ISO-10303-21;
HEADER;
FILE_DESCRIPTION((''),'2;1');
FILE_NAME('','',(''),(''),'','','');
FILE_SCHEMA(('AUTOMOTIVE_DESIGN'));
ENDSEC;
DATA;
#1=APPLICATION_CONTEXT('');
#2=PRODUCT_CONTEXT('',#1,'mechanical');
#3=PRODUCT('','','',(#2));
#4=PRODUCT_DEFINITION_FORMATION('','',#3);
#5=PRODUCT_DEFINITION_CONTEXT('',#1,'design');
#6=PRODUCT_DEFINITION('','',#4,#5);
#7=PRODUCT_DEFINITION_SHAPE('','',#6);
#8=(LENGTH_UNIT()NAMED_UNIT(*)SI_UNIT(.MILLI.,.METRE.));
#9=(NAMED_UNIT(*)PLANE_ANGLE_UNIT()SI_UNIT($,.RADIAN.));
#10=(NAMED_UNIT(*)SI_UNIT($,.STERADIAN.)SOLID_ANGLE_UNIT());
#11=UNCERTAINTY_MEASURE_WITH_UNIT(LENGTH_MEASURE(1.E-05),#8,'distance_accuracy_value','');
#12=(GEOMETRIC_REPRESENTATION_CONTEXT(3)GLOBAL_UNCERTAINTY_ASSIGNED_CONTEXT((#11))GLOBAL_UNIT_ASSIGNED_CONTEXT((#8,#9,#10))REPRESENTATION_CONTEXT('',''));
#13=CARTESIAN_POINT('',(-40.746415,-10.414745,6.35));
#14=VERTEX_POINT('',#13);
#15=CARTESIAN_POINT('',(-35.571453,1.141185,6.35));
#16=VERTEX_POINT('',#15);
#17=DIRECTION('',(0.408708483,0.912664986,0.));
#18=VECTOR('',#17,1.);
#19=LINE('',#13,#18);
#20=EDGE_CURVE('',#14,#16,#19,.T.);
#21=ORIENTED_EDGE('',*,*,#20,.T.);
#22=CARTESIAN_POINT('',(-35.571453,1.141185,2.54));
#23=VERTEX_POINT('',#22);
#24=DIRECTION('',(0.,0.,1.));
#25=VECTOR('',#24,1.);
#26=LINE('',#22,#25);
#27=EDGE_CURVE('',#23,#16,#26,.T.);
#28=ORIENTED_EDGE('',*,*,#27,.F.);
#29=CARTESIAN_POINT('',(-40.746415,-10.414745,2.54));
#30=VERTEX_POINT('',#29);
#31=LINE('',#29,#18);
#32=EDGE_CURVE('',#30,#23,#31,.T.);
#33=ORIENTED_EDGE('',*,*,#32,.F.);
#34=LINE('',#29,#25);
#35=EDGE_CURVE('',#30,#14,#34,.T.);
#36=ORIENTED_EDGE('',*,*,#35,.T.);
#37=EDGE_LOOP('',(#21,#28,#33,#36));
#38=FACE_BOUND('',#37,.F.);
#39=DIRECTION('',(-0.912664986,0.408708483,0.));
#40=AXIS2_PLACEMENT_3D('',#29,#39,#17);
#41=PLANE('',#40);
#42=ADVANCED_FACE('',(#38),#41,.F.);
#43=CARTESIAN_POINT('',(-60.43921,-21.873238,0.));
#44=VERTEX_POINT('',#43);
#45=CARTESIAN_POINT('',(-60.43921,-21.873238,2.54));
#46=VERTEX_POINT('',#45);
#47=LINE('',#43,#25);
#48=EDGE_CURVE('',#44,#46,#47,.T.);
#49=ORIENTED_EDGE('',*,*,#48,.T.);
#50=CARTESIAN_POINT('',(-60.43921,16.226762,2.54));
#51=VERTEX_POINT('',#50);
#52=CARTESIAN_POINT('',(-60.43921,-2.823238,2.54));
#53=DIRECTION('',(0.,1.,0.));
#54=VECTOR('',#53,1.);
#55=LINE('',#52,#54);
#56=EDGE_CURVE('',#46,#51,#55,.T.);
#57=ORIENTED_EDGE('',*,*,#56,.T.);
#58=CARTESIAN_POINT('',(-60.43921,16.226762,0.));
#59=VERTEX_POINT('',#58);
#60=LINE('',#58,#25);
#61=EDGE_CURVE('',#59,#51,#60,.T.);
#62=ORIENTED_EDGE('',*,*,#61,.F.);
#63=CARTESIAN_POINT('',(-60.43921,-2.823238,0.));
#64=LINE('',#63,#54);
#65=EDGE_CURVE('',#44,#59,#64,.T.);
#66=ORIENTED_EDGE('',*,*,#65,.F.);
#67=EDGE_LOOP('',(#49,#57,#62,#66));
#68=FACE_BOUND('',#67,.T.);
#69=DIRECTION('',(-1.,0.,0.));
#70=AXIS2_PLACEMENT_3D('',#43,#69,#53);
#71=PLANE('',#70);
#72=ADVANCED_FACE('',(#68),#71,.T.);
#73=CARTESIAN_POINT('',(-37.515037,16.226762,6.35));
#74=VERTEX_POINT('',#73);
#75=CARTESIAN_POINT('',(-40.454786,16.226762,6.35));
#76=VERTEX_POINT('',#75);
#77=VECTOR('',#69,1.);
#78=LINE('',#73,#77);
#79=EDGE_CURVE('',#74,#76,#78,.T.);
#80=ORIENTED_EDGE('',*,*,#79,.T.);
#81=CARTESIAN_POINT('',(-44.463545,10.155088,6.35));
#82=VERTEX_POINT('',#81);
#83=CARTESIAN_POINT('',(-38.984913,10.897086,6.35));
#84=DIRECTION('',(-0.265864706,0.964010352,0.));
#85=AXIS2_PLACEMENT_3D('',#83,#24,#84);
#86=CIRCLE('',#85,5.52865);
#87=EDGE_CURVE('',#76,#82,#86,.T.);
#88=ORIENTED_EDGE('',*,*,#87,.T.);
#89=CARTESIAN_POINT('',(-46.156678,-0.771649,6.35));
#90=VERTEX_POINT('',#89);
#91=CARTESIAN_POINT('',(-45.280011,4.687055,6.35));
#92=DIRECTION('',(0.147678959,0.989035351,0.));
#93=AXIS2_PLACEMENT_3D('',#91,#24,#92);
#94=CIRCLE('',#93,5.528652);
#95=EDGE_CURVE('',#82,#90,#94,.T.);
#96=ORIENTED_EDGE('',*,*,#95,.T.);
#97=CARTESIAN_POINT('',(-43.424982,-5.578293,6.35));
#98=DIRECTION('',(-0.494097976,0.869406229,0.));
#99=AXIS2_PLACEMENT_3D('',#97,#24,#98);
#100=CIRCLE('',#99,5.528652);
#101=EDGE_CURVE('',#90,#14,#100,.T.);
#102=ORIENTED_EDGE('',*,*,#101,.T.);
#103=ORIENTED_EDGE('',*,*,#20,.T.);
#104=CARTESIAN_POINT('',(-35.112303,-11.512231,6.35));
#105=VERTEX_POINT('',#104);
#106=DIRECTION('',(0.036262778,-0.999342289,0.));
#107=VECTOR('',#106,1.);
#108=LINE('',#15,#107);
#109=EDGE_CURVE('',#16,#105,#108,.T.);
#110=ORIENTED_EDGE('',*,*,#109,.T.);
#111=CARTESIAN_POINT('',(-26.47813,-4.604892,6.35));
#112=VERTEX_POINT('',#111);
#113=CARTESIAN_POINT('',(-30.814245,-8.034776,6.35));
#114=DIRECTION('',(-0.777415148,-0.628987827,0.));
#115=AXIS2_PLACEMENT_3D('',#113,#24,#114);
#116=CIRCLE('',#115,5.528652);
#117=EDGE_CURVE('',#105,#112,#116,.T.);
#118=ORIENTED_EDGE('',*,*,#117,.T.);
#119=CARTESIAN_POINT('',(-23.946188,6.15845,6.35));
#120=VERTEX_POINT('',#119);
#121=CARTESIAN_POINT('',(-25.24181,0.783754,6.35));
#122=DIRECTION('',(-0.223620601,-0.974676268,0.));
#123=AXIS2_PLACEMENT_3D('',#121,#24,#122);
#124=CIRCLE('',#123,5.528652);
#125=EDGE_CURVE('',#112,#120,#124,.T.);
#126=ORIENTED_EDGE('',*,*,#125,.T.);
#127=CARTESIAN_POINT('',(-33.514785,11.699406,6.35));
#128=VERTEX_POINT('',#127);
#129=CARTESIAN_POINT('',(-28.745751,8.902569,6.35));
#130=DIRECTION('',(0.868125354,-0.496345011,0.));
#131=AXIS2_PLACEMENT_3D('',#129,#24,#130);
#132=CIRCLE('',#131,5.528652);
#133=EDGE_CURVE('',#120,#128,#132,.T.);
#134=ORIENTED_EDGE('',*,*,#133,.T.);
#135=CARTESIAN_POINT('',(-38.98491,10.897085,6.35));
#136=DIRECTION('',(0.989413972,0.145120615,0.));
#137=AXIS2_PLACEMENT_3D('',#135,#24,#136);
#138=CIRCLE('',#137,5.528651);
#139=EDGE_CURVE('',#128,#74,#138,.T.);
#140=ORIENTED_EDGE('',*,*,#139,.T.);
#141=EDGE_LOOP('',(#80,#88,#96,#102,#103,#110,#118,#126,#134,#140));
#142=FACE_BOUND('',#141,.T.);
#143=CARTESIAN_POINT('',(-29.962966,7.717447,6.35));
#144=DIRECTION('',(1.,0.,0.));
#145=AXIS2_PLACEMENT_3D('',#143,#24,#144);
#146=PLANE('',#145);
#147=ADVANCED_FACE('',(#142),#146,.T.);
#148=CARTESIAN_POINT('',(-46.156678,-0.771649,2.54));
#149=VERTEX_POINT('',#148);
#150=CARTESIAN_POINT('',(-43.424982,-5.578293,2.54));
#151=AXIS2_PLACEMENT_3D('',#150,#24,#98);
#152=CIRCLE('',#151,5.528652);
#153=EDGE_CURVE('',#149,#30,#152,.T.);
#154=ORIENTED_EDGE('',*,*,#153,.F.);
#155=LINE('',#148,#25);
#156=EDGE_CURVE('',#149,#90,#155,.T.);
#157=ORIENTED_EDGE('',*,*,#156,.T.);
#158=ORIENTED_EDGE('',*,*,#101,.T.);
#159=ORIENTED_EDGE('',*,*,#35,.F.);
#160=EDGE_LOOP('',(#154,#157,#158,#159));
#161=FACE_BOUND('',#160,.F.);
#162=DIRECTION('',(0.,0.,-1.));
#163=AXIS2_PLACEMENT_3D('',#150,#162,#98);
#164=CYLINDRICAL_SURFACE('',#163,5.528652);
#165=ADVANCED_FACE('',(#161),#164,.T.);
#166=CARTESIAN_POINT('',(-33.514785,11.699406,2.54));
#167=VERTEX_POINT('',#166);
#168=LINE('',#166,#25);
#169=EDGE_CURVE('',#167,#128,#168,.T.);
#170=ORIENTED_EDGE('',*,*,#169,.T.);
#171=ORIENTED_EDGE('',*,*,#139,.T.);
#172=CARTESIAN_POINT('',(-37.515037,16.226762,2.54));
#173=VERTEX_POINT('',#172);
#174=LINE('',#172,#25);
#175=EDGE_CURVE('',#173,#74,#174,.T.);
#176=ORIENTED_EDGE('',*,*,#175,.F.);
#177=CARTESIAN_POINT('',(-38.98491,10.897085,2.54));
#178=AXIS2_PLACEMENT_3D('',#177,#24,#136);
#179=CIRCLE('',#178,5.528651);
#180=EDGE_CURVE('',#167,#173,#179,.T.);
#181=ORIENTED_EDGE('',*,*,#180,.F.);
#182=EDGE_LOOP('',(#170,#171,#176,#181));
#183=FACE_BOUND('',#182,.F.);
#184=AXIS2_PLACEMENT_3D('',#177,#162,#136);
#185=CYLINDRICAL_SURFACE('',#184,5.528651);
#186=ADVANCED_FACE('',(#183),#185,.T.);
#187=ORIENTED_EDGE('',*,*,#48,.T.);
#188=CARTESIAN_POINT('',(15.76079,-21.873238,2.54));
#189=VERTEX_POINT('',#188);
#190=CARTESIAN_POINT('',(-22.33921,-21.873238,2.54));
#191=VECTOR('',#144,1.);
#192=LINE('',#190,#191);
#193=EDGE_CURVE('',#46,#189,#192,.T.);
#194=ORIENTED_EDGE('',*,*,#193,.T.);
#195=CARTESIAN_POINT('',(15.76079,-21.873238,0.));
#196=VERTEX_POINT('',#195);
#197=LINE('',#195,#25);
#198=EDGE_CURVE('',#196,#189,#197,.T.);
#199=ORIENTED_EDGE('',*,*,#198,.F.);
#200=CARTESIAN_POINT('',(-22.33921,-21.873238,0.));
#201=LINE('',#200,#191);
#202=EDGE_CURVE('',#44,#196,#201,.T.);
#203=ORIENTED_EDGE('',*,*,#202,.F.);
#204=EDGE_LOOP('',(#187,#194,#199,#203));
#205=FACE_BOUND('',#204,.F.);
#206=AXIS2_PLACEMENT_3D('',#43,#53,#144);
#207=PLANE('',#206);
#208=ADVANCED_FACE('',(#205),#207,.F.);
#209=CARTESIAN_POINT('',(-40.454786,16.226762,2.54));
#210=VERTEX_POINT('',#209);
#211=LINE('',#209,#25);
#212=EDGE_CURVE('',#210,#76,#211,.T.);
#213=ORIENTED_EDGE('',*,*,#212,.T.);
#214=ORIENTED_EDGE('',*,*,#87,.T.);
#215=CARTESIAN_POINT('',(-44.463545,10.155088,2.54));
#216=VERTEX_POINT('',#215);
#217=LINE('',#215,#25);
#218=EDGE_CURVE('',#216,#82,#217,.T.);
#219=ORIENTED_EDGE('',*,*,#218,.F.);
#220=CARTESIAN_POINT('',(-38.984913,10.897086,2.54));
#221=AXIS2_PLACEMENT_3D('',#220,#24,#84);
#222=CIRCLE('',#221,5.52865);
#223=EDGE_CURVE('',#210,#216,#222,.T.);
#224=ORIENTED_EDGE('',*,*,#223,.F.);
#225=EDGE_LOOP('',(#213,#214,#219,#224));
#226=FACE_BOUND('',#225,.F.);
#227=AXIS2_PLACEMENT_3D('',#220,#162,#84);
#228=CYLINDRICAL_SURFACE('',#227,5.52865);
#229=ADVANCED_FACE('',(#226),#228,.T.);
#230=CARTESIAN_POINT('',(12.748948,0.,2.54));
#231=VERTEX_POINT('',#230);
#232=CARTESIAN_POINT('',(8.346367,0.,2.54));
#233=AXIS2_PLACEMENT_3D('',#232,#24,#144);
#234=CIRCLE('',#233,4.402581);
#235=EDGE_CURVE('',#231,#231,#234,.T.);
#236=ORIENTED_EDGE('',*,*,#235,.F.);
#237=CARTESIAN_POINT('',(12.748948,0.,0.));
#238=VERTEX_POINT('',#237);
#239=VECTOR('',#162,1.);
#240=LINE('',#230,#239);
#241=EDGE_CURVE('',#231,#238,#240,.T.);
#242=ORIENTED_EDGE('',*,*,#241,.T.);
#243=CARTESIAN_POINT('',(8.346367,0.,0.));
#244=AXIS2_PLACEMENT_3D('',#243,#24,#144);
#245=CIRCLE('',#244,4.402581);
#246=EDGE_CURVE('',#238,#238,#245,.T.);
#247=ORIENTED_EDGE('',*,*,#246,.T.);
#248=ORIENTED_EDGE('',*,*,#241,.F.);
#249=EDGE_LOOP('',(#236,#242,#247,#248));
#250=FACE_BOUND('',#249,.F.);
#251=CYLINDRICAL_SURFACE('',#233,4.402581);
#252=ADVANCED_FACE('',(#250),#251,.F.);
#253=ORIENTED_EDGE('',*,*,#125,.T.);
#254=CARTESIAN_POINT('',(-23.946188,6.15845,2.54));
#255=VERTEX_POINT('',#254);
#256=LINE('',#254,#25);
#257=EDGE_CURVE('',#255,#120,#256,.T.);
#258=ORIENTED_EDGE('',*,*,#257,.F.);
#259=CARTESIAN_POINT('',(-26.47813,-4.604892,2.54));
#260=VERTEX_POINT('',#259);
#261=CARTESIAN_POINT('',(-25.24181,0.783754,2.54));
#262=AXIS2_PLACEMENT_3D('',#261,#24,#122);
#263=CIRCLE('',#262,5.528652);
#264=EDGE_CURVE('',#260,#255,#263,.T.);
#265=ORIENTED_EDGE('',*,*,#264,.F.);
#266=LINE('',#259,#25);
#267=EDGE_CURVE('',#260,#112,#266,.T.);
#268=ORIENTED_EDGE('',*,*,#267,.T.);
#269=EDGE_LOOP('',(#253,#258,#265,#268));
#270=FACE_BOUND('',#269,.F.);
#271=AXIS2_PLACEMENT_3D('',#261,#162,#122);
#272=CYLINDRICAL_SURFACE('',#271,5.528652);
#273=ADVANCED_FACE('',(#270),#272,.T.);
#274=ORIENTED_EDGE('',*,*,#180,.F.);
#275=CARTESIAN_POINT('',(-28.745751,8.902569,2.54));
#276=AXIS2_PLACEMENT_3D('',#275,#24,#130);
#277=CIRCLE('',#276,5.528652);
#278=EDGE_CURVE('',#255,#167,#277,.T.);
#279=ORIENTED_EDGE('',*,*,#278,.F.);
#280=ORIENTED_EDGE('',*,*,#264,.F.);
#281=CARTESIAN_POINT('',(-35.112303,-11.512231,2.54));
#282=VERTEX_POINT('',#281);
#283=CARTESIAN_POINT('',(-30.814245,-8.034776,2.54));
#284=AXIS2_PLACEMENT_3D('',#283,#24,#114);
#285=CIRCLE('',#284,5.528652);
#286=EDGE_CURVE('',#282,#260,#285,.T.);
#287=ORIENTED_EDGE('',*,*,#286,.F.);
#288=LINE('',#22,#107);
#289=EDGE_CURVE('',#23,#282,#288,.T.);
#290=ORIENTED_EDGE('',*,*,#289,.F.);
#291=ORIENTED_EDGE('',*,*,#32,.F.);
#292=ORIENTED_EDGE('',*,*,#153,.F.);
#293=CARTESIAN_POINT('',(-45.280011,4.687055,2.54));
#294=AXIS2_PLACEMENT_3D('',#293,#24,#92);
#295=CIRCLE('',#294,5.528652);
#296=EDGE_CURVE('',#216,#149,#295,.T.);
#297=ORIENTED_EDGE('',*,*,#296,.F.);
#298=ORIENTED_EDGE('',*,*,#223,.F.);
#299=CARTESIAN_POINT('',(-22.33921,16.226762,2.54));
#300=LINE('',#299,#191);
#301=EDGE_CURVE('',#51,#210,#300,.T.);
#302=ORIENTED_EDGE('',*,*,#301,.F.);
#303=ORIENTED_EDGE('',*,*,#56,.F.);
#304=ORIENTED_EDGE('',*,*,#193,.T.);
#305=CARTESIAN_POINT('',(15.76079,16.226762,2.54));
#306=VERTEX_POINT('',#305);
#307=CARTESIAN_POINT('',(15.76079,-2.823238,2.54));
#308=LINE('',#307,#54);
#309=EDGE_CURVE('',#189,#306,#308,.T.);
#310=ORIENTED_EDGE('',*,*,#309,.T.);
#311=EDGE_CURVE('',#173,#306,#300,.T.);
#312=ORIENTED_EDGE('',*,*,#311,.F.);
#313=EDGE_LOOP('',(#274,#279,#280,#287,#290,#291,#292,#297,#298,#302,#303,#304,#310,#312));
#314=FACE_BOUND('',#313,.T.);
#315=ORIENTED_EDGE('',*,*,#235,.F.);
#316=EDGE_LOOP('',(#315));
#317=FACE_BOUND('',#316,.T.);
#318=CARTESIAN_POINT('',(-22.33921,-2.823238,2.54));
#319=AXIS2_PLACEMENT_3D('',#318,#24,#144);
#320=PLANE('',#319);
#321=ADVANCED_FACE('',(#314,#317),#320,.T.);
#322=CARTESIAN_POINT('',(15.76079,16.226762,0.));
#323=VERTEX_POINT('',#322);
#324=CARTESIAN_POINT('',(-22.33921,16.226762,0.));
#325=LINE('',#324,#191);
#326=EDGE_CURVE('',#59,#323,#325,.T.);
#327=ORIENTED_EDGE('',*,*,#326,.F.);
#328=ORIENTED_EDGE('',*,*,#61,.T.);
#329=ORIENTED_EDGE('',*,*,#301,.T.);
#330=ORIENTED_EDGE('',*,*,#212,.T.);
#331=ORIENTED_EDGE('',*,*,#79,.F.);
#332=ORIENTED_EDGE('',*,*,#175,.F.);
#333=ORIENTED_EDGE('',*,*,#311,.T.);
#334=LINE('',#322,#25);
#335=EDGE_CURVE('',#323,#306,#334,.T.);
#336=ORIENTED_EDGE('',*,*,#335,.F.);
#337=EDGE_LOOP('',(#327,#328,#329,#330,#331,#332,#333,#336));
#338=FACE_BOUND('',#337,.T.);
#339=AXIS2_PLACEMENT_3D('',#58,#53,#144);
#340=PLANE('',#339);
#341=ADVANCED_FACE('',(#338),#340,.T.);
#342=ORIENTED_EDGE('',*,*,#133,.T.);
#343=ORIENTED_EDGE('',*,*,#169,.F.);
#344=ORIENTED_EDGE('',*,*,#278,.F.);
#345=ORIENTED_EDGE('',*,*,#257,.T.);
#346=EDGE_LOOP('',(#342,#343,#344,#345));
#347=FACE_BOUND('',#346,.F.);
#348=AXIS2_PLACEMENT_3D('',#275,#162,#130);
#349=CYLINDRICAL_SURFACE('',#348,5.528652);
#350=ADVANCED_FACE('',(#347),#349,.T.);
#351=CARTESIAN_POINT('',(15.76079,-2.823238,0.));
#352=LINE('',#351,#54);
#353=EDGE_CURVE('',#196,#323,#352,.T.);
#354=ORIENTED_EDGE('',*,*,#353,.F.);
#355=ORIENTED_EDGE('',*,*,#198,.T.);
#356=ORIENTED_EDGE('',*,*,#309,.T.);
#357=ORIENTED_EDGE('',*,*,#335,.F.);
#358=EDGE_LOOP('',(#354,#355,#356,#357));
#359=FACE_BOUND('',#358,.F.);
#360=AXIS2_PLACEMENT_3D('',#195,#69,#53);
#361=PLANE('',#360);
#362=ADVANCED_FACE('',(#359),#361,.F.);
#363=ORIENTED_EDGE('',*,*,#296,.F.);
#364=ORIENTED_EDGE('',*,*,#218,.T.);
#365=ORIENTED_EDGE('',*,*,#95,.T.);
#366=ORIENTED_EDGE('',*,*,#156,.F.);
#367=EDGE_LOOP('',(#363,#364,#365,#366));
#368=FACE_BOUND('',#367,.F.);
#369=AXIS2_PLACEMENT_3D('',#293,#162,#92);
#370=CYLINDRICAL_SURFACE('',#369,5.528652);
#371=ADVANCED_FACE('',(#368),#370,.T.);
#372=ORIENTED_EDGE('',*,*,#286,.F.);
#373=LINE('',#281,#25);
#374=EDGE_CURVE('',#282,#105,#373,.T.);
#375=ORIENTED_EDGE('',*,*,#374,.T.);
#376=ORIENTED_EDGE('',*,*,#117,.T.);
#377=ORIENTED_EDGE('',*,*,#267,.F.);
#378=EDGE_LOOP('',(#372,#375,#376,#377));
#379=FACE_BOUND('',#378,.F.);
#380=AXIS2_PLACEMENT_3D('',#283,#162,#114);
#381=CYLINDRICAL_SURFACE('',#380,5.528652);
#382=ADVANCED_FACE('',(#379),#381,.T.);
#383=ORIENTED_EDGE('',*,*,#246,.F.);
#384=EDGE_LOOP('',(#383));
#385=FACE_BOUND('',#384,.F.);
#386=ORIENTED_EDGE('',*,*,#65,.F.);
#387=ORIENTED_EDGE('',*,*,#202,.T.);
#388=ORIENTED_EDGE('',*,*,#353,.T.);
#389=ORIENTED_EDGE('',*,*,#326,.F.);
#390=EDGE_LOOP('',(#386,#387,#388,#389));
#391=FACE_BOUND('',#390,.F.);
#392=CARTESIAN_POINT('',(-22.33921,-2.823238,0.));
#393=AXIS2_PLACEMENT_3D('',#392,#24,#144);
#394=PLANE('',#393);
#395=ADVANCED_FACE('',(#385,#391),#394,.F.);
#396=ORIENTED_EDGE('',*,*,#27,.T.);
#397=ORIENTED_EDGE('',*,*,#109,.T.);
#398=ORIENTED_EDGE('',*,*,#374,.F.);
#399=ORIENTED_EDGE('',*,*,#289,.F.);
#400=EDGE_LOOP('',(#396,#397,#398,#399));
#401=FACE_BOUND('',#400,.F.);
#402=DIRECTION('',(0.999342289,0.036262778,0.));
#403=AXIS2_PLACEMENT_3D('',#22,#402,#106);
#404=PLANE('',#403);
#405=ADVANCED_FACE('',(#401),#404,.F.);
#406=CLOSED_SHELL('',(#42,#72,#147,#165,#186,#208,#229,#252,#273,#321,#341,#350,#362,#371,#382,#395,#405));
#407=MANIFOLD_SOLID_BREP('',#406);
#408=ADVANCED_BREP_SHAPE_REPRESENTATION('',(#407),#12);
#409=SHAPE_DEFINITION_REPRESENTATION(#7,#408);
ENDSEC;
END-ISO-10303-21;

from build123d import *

# Parameters (mm, degrees)
F0_W     = 76.2
F0_H     = 38.1
F1_DEPTH = 2.54
F2_R     = 4.402581
F3_DEPTH = 21.082
F5_DEPTH = 3.81


with BuildPart() as f1:
    # F0 (on Top) → F1 (new body)
    with BuildSketch(Plane.XY):
        with Locations((-22.33921, -2.823238)):
            Rectangle(F0_W, F0_H)
    extrude(amount=F1_DEPTH)

    # F2 (on face) → F3 (cut)
    with BuildSketch(Plane.XY.offset(2.54)):
        with Locations((8.346367, 0)):
            Circle(F2_R)
    extrude(amount=-F3_DEPTH, mode=Mode.SUBTRACT)

    # F4 (on face) → F5 (join)
    with BuildSketch(Plane.XY.offset(2.54)):
        with BuildLine():
            Line((-33.514785, 11.699406), (-35.571453, 1.141185))
            Line((-35.571453, 1.141185), (-23.946188, 6.15845))
            ThreePointArc((-23.946188, 6.15845), (-25.975231, 13.68694), (-33.514785, 11.699406))
        make_face()
        with BuildLine():
            Line((-35.571453, 1.141185), (-26.47813, -4.604892))
            ThreePointArc((-26.47813, -4.604892), (-19.860057, -0.482237), (-23.946188, 6.15845))
            Line((-23.946188, 6.15845), (-35.571453, 1.141185))
        make_face()
        with BuildLine():
            Line((-35.571453, 1.141185), (-35.112303, -11.512231))
            ThreePointArc((-35.112303, -11.512231), (-27.360523, -12.351928), (-26.47813, -4.604892))
            Line((-26.47813, -4.604892), (-35.571453, 1.141185))
        make_face()
        with BuildLine():
            Line((-40.746415, -10.414745), (-35.571453, 1.141185))
            Line((-35.571453, 1.141185), (-46.156678, -0.771649))
            ThreePointArc((-46.156678, -0.771649), (-48.246604, -8.283465), (-40.746415, -10.414745))
        make_face()
        with BuildLine():
            Line((-46.156678, -0.771649), (-35.571453, 1.141185))
            Line((-35.571453, 1.141185), (-44.463545, 10.155088))
            ThreePointArc((-44.463545, 10.155088), (-50.743462, 5.533635), (-46.156678, -0.771649))
        make_face()
        with BuildLine():
            Line((-44.463545, 10.155088), (-35.571453, 1.141185))
            Line((-35.571453, 1.141185), (-33.514785, 11.699406))
            ThreePointArc((-33.514785, 11.699406), (-34.841828, 14.557803), (-37.515037, 16.226762))
            Line((-37.515037, 16.226762), (-40.454786, 16.226762))
            ThreePointArc((-40.454786, 16.226762), (-43.598668, 13.94327), (-44.463545, 10.155088))
        make_face()
    extrude(amount=F5_DEPTH)


solid = f1.part
